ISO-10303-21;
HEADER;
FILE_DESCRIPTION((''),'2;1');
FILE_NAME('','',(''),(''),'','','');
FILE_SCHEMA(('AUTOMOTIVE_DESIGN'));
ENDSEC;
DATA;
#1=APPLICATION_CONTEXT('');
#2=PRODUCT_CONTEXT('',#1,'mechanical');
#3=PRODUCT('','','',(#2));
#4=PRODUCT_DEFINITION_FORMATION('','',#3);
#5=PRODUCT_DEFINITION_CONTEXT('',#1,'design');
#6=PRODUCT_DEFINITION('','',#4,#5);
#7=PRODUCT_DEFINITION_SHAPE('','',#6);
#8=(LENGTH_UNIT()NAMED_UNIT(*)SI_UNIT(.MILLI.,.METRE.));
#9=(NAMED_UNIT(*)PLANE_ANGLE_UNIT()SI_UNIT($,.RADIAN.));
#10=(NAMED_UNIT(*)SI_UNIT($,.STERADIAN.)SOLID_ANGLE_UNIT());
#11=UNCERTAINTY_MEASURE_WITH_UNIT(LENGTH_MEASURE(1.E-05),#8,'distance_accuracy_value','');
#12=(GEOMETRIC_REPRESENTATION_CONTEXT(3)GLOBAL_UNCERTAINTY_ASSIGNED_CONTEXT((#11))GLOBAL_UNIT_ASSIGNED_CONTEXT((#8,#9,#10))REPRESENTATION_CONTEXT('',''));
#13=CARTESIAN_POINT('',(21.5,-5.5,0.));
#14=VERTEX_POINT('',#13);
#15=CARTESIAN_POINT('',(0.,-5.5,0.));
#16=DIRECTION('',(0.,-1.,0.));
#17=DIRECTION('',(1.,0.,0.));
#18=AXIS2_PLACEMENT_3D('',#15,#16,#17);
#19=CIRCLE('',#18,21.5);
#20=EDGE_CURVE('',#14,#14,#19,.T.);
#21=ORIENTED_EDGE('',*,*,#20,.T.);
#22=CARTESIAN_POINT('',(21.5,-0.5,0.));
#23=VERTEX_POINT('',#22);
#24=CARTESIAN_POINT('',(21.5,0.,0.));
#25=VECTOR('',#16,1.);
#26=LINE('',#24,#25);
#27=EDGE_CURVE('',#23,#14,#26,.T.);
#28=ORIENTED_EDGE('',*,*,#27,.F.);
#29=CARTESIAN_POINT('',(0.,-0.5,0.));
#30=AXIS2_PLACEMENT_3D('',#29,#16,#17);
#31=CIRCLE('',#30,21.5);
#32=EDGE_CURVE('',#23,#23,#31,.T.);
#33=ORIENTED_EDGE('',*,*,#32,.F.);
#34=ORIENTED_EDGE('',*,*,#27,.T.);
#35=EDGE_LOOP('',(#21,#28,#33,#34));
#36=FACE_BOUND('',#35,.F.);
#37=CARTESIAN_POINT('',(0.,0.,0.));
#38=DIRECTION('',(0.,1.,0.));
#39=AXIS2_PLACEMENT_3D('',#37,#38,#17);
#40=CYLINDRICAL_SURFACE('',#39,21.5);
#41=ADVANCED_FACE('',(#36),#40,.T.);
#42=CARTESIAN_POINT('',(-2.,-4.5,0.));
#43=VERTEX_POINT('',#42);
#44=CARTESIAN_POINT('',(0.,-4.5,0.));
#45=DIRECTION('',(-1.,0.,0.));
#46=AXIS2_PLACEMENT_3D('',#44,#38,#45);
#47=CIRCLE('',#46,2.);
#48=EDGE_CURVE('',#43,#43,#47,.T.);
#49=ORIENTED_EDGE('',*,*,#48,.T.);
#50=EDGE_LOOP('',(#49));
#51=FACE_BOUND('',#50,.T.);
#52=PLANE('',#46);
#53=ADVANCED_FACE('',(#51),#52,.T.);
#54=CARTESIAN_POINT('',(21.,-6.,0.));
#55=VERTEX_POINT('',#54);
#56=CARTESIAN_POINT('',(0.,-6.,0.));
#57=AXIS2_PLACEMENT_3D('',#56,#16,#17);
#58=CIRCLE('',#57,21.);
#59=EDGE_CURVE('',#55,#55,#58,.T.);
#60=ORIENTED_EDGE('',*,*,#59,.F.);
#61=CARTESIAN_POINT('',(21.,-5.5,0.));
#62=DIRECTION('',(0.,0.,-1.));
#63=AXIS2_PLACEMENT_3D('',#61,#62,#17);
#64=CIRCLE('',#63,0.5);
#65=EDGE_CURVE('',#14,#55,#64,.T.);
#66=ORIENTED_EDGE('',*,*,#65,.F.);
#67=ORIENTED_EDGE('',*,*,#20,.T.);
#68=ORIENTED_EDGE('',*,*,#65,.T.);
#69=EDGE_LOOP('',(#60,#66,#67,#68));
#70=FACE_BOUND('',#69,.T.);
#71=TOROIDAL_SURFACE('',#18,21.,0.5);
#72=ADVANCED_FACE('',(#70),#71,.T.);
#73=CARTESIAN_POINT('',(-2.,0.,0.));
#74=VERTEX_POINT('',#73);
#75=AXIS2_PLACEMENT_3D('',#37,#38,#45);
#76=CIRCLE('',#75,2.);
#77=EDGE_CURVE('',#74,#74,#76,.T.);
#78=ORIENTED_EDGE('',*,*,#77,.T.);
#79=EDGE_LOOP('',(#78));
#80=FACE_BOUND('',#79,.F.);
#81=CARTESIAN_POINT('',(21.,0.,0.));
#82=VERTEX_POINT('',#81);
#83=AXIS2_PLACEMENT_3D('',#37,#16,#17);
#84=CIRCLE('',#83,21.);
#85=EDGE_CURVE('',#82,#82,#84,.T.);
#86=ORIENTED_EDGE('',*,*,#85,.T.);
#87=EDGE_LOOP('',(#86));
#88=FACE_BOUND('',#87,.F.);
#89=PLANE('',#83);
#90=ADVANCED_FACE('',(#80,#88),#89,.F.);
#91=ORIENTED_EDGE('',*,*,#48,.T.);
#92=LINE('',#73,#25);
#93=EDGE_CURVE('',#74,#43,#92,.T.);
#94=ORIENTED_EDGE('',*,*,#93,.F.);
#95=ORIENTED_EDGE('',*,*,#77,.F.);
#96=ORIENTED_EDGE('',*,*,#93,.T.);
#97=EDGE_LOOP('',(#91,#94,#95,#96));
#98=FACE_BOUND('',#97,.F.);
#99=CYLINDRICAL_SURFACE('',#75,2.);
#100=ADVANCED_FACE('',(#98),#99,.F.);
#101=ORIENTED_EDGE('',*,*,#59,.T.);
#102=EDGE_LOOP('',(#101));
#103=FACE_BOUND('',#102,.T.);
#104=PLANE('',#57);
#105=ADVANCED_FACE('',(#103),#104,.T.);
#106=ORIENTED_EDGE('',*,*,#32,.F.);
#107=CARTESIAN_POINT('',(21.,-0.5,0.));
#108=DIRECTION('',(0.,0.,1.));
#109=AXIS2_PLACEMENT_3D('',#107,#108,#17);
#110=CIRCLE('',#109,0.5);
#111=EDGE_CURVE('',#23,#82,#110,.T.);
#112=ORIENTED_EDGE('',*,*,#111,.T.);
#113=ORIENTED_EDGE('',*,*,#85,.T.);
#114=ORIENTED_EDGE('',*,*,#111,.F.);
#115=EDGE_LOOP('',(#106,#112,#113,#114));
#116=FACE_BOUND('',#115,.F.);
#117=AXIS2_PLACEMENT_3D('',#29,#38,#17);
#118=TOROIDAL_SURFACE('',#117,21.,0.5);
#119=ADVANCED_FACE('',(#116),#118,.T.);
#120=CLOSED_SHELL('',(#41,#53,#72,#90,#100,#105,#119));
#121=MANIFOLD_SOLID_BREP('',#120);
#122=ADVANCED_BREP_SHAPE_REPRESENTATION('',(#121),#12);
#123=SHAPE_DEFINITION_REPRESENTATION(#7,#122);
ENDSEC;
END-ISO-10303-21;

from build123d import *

# Parameters (mm, degrees)
F0_R     = 21.5
F1_DEPTH = 6
F2_R     = 2
F3_DEPTH = 4.5
F4_R     = 0.5


with BuildPart() as f1:
    # F0 (on Front) → F1 (new body)
    with BuildSketch(Plane.XZ):
        Circle(F0_R)
    extrude(amount=F1_DEPTH)

    # F2 (on face) → F3 (cut)
    with BuildSketch(Plane(origin=(0, 0, 0), x_dir=(-1, 0, 0), z_dir=(0, 1, 0))):
        Circle(F2_R)
    extrude(amount=-F3_DEPTH, mode=Mode.SUBTRACT)

    # F4
    f4_edges = [f1.edges().sort_by_distance(p)[0] for p in [
        (-21.5, 0, 0),
        (-21.5, -6, 0),
    ]]
    fillet(f4_edges, radius=F4_R)


solid = f1.part
